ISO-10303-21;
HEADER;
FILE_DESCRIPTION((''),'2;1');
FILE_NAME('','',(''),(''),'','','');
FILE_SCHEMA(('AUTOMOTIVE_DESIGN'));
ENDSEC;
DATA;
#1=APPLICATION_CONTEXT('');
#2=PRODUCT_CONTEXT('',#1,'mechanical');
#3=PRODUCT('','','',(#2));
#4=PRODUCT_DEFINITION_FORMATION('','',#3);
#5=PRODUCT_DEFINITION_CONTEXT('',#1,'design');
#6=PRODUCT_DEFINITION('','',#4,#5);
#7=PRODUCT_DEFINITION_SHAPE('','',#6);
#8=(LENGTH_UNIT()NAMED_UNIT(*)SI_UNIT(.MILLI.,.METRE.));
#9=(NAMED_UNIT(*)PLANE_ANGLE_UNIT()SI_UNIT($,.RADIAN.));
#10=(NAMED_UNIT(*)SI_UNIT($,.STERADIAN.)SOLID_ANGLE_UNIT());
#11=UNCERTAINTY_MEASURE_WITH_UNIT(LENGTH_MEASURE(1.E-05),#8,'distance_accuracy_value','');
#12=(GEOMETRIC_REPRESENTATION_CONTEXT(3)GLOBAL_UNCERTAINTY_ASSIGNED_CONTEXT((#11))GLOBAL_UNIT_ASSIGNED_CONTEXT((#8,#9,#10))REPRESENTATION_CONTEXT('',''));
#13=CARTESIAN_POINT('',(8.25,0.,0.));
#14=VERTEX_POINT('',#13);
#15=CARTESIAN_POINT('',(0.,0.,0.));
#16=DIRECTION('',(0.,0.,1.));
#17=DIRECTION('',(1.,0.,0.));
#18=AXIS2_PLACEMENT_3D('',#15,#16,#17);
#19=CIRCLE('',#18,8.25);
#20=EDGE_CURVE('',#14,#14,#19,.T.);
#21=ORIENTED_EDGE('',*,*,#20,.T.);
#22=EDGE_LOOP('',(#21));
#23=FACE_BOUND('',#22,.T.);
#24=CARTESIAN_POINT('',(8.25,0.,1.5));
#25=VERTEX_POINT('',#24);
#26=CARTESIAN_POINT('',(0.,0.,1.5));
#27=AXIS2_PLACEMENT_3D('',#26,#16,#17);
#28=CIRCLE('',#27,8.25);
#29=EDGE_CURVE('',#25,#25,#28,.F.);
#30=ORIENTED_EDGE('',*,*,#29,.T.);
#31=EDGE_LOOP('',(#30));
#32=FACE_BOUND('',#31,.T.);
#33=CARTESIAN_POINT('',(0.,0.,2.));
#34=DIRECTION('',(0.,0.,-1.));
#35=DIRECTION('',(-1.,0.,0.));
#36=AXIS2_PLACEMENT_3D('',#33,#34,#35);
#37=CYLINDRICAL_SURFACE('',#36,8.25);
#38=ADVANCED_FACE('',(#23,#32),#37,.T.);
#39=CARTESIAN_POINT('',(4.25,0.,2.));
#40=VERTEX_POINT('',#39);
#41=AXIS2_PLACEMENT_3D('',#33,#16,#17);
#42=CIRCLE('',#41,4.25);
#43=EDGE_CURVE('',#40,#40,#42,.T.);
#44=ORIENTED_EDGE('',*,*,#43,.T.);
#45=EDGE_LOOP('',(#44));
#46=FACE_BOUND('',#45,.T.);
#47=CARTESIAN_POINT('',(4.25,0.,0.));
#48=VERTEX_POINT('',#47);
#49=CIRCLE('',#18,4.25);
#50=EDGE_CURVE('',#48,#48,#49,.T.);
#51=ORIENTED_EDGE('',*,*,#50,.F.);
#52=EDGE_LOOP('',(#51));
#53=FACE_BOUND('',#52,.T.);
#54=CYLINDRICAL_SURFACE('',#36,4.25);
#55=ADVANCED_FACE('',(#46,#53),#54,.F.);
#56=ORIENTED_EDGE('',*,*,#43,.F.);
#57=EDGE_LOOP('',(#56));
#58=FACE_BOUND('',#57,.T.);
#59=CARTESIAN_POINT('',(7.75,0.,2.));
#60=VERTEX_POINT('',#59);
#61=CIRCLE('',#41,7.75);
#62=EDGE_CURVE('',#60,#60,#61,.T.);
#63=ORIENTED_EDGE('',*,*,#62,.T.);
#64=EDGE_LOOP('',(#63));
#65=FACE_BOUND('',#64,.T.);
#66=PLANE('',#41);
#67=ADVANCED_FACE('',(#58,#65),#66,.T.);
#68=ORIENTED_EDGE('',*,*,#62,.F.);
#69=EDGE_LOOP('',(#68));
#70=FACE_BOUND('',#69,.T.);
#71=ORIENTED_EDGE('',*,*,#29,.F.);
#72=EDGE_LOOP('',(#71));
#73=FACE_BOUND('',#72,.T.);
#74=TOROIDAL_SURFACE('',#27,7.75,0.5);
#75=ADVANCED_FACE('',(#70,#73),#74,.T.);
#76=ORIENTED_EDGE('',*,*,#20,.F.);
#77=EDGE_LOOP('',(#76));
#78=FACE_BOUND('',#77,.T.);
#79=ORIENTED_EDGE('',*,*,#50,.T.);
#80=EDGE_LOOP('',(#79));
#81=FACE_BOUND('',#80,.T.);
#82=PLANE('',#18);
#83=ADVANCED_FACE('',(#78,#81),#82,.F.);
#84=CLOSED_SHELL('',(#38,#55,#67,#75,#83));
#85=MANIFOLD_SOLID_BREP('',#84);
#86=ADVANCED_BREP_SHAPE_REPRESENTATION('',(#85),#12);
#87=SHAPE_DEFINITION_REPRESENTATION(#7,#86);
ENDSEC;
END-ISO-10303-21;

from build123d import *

# Parameters (mm, degrees)
SKETCH1_R           = 8.25
SKETCH1_R_2         = 4.25
BOSS_EXTRUDE1_DEPTH = 2
FILLET1_R           = 0.5


with BuildPart() as part:
    # Sketch1 → Boss-Extrude1 (new body)
    with BuildSketch(Plane.XY):
        Circle(SKETCH1_R)
        Circle(SKETCH1_R_2, mode=Mode.SUBTRACT)
    extrude(amount=BOSS_EXTRUDE1_DEPTH)

    # Fillet1
    fillet1_edges = [part.edges().sort_by_distance(p)[0] for p in [
        (-8.25, 0, 2),
    ]]
    fillet(fillet1_edges, radius=FILLET1_R)


solid = part.part
